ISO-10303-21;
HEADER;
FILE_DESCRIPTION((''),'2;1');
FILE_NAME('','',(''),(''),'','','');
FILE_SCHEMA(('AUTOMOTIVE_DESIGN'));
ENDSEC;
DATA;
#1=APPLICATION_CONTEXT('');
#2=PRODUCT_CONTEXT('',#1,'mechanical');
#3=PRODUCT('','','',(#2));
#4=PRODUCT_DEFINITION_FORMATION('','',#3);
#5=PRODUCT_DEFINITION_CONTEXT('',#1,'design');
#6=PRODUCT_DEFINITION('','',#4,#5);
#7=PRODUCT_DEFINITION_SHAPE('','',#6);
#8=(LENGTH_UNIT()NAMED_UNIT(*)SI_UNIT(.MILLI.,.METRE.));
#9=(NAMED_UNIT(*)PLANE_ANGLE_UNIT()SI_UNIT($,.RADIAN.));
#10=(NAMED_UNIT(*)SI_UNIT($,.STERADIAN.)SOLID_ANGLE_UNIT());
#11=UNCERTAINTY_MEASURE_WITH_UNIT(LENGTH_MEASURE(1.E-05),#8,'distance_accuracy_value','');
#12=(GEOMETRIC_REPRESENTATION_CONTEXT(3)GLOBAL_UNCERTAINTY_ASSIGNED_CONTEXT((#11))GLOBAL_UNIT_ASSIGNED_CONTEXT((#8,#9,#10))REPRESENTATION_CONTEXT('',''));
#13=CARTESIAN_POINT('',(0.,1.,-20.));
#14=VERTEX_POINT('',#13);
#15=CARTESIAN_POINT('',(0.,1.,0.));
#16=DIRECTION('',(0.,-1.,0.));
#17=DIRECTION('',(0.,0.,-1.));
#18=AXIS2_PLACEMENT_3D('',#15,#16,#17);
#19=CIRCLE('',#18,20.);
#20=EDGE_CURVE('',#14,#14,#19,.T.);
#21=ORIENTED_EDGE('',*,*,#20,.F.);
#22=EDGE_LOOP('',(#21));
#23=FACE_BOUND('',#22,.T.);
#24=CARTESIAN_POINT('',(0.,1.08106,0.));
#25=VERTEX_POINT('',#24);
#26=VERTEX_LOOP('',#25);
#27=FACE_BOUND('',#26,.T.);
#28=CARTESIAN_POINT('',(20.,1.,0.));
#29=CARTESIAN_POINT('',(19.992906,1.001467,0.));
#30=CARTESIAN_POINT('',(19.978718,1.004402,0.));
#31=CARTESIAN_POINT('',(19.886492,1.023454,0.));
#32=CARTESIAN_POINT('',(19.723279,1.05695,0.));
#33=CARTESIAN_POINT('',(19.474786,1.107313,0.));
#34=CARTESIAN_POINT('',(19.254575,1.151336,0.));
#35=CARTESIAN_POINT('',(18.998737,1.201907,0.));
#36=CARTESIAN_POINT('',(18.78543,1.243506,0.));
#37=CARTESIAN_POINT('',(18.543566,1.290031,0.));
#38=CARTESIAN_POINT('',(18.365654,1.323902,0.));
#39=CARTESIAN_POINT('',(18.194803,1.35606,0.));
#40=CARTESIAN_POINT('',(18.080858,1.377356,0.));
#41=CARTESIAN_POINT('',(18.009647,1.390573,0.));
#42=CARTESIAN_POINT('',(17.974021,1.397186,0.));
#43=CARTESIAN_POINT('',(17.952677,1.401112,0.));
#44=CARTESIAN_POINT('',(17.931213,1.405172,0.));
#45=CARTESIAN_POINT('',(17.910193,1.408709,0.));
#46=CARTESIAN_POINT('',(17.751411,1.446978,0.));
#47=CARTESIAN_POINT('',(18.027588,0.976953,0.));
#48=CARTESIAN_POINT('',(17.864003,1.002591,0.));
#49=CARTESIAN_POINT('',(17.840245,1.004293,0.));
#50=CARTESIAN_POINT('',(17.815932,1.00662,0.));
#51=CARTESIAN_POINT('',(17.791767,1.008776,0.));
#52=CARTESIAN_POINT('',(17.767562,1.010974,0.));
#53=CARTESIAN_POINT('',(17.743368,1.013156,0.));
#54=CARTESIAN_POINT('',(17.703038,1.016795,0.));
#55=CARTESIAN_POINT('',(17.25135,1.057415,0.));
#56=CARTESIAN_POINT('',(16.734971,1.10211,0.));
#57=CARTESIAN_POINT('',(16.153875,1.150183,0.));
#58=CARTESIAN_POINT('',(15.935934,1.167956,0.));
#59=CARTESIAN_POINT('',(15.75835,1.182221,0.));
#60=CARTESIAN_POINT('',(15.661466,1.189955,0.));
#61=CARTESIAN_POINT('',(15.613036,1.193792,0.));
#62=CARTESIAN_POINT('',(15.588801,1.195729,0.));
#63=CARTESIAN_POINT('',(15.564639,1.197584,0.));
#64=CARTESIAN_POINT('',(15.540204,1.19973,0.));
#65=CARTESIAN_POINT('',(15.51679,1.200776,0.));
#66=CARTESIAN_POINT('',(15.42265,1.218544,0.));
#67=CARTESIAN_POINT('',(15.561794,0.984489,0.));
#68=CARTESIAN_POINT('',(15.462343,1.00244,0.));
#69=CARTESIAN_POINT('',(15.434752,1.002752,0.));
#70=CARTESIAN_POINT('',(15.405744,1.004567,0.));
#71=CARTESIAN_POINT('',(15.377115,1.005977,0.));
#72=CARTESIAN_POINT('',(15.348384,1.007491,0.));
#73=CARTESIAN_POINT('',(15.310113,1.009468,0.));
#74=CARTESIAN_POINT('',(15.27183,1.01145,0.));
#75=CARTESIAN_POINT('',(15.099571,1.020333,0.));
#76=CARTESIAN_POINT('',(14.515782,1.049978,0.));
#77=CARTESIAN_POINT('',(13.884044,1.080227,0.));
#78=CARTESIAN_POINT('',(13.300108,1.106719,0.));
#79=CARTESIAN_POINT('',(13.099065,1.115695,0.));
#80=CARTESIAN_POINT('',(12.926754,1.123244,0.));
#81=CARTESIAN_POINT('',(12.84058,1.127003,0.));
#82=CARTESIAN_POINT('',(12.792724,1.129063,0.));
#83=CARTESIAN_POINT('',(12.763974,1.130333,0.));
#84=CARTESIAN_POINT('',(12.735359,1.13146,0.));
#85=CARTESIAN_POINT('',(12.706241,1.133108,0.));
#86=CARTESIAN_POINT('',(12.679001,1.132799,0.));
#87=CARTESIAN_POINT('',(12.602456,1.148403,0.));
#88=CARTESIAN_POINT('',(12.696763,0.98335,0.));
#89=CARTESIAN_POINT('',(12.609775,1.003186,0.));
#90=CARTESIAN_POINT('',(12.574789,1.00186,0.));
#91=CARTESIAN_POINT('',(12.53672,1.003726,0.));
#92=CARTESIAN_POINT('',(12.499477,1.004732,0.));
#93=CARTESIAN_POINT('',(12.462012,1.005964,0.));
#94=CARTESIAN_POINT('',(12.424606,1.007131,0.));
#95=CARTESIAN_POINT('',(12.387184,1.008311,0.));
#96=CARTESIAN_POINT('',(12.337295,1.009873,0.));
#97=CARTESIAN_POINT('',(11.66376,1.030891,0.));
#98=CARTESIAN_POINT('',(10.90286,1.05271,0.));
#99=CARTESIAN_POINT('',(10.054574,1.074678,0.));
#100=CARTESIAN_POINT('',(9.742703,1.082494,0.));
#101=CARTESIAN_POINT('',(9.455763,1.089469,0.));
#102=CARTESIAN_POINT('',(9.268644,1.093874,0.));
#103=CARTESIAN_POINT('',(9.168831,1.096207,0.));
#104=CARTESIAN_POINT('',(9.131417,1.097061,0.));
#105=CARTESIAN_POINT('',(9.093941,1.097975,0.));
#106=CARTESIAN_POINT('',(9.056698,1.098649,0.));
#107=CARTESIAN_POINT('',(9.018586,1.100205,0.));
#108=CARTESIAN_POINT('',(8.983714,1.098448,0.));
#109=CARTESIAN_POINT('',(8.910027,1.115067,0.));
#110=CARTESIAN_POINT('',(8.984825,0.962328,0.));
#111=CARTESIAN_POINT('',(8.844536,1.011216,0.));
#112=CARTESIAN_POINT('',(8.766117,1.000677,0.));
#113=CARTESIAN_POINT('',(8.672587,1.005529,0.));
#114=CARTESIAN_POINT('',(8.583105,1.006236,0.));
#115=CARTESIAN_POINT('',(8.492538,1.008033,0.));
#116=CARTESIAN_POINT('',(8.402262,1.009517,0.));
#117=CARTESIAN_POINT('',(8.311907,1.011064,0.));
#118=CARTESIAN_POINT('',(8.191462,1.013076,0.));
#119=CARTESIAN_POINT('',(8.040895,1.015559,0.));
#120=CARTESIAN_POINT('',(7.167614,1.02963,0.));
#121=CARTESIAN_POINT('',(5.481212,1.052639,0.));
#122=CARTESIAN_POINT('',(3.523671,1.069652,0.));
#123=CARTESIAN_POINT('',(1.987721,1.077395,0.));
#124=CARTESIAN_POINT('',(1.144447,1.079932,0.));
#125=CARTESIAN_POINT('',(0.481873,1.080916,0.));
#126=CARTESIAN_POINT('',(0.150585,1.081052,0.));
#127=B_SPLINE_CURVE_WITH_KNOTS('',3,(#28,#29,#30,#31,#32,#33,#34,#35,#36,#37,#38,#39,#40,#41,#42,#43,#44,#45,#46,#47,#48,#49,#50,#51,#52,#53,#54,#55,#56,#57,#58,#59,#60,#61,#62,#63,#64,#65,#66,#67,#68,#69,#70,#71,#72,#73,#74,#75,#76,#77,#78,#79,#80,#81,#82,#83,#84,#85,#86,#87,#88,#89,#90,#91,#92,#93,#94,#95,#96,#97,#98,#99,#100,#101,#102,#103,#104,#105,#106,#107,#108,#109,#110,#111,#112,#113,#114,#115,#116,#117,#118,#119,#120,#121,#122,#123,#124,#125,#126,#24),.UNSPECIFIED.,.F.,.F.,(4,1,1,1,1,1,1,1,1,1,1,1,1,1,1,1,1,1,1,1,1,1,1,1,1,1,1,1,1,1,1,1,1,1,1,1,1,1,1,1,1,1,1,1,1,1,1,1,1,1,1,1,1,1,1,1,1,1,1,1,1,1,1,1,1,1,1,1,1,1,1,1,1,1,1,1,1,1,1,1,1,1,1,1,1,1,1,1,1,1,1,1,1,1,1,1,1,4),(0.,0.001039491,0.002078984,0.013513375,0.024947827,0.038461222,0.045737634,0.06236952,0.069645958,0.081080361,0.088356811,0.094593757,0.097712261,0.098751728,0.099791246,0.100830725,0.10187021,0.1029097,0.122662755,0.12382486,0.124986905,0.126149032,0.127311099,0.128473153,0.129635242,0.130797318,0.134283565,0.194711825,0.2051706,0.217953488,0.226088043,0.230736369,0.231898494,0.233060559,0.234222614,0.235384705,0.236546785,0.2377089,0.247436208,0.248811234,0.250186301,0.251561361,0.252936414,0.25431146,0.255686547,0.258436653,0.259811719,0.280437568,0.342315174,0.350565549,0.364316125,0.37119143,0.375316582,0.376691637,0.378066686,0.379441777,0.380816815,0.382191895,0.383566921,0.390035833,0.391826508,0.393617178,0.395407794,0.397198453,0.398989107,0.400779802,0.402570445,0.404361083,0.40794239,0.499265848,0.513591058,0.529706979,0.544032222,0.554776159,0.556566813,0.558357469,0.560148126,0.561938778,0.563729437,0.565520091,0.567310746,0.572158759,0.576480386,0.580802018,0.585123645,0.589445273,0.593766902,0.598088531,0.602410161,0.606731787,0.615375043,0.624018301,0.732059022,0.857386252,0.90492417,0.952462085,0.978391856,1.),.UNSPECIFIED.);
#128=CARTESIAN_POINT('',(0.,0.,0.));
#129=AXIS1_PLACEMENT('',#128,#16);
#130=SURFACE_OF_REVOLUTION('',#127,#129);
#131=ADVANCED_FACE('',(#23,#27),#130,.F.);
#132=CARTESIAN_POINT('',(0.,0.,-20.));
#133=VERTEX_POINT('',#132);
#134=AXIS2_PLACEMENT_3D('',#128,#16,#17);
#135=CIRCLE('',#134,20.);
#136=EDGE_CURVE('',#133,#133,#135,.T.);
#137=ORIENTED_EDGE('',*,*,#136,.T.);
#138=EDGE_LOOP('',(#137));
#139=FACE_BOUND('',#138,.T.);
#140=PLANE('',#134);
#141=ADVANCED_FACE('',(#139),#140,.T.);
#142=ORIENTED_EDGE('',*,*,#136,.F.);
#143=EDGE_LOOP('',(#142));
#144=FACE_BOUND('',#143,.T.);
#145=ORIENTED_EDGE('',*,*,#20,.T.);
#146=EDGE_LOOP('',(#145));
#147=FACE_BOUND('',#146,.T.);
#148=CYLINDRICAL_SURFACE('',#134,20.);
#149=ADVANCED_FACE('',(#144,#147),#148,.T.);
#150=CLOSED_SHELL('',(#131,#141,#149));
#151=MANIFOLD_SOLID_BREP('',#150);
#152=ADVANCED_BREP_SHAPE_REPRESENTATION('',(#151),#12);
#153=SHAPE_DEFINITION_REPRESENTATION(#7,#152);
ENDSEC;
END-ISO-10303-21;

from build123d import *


with BuildPart() as part:
    # 草图2 → 旋转1 (revolve)
    with BuildSketch(Plane.XY):
        with BuildLine():
            Line((0, 0), (20, 0))
            Line((20, 0), (20, 1))
            add(Edge.make_bspline(
                [(0, 1.0810604), (0.150585214, 1.081052366), (0.481872682, 1.080915633), (1.144446995, 1.079932269), (1.987720776, 1.077394585), (3.523671243, 1.069652426), (5.481211968, 1.052638998), (7.167613812, 1.029629927), (8.040894952, 1.015559238), (8.191461923, 1.013075913), (8.311907295, 1.01106393), (8.402261922, 1.00951696), (8.492538393, 1.008033229), (8.583105266, 1.006236125), (8.672586901, 1.005529073), (8.766117337, 1.000676781), (8.844536125, 1.011215806), (8.984824507, 0.962328419), (8.910027125, 1.115066789), (8.983713542, 1.098448265), (9.018586247, 1.100204981), (9.056697612, 1.098648614), (9.093941085, 1.09797537), (9.131416993, 1.097061102), (9.168830525, 1.09620682), (9.268644256, 1.093874011), (9.455763477, 1.089468953), (9.742703114, 1.082494107), (10.05457365, 1.074677636), (10.902860466, 1.05270971), (11.663760483, 1.030890954), (12.337294618, 1.009873011), (12.387184347, 1.008310548), (12.424606037, 1.007130599), (12.462011835, 1.005963783), (12.499476963, 1.004731724), (12.536719983, 1.00372573), (12.574789443, 1.001859815), (12.609774511, 1.003185808), (12.696762863, 0.983349766), (12.602456242, 1.148402597), (12.679000896, 1.132799174), (12.706240635, 1.133108334), (12.735359285, 1.131460122), (12.763974249, 1.13033308), (12.792724086, 1.129062827), (12.840579551, 1.127003472), (12.926754116, 1.123243655), (13.099065172, 1.115695284), (13.30010845, 1.10671905), (13.884043562, 1.080227052), (14.515782062, 1.049978026), (15.099570507, 1.020333425), (15.271829957, 1.011450343), (15.310112639, 1.009467749), (15.348384194, 1.007490892), (15.377115033, 1.005976582), (15.405743786, 1.004567374), (15.43475225, 1.002752098), (15.462343322, 1.002439823), (15.56179393, 0.984488624), (15.422650439, 1.218544454), (15.516790383, 1.200775637), (15.540203543, 1.199730397), (15.564639487, 1.197584174), (15.588800873, 1.195729241), (15.613035728, 1.193792404), (15.661465811, 1.189955473), (15.758349988, 1.182221435), (15.935933505, 1.167955622), (16.153874602, 1.150183142), (16.734971197, 1.102109868), (17.251350148, 1.057415298), (17.703038059, 1.016794766), (17.74336761, 1.013156328), (17.767562024, 1.010973665), (17.791766782, 1.008775748), (17.815931634, 1.006620071), (17.840245144, 1.004293341), (17.864002655, 1.002591226), (18.027587667, 0.976953022), (17.751410552, 1.446977868), (17.910192587, 1.408709205), (17.931213026, 1.405171977), (17.952677251, 1.401111692), (17.97402149, 1.397186168), (18.009647082, 1.390572544), (18.08085793, 1.377355922), (18.19480281, 1.356060482), (18.365654147, 1.323901514), (18.543566126, 1.29003138), (18.785430482, 1.243505718), (18.99873681, 1.20190735), (19.254575211, 1.151336402), (19.474786009, 1.107313004), (19.723278545, 1.056950359), (19.886491839, 1.023453565), (19.978718196, 1.004402396), (19.992906069, 1.001467465), (20, 1)],
                knots=[0, 0, 0, 0, 0.021608144, 0.047537915, 0.09507583, 0.142613748, 0.267940978, 0.375981699, 0.384624957, 0.393268213, 0.397589839, 0.401911469, 0.406233098, 0.410554727, 0.414876355, 0.419197982, 0.423519614, 0.427841241, 0.432689254, 0.434479909, 0.436270563, 0.438061222, 0.439851874, 0.441642531, 0.443433187, 0.445223841, 0.455967778, 0.470293021, 0.486408942, 0.500734152, 0.59205761, 0.595638917, 0.597429555, 0.599220198, 0.601010893, 0.602801547, 0.604592206, 0.606382822, 0.608173492, 0.609964167, 0.616433079, 0.617808105, 0.619183185, 0.620558223, 0.621933314, 0.623308363, 0.624683418, 0.62880857, 0.635683875, 0.649434451, 0.657684826, 0.719562432, 0.740188281, 0.741563347, 0.744313453, 0.74568854, 0.747063586, 0.748438639, 0.749813699, 0.751188766, 0.752563792, 0.7622911, 0.763453215, 0.764615295, 0.765777386, 0.766939441, 0.768101506, 0.769263631, 0.773911957, 0.782046512, 0.7948294, 0.805288175, 0.865716435, 0.869202682, 0.870364758, 0.871526847, 0.872688901, 0.873850968, 0.875013095, 0.87617514, 0.877337245, 0.8970903, 0.89812979, 0.899169275, 0.900208754, 0.901248272, 0.902287739, 0.905406243, 0.911643189, 0.918919639, 0.930354042, 0.93763048, 0.954262366, 0.961538778, 0.975052173, 0.986486625, 0.997921016, 0.998960509, 1, 1, 1, 1], degree=3))
            Line((0, 1.0810604), (0, 0))
        make_face()
    revolve(axis=Axis((0, 0, 0), (0, 1, 0)))


solid = part.part
